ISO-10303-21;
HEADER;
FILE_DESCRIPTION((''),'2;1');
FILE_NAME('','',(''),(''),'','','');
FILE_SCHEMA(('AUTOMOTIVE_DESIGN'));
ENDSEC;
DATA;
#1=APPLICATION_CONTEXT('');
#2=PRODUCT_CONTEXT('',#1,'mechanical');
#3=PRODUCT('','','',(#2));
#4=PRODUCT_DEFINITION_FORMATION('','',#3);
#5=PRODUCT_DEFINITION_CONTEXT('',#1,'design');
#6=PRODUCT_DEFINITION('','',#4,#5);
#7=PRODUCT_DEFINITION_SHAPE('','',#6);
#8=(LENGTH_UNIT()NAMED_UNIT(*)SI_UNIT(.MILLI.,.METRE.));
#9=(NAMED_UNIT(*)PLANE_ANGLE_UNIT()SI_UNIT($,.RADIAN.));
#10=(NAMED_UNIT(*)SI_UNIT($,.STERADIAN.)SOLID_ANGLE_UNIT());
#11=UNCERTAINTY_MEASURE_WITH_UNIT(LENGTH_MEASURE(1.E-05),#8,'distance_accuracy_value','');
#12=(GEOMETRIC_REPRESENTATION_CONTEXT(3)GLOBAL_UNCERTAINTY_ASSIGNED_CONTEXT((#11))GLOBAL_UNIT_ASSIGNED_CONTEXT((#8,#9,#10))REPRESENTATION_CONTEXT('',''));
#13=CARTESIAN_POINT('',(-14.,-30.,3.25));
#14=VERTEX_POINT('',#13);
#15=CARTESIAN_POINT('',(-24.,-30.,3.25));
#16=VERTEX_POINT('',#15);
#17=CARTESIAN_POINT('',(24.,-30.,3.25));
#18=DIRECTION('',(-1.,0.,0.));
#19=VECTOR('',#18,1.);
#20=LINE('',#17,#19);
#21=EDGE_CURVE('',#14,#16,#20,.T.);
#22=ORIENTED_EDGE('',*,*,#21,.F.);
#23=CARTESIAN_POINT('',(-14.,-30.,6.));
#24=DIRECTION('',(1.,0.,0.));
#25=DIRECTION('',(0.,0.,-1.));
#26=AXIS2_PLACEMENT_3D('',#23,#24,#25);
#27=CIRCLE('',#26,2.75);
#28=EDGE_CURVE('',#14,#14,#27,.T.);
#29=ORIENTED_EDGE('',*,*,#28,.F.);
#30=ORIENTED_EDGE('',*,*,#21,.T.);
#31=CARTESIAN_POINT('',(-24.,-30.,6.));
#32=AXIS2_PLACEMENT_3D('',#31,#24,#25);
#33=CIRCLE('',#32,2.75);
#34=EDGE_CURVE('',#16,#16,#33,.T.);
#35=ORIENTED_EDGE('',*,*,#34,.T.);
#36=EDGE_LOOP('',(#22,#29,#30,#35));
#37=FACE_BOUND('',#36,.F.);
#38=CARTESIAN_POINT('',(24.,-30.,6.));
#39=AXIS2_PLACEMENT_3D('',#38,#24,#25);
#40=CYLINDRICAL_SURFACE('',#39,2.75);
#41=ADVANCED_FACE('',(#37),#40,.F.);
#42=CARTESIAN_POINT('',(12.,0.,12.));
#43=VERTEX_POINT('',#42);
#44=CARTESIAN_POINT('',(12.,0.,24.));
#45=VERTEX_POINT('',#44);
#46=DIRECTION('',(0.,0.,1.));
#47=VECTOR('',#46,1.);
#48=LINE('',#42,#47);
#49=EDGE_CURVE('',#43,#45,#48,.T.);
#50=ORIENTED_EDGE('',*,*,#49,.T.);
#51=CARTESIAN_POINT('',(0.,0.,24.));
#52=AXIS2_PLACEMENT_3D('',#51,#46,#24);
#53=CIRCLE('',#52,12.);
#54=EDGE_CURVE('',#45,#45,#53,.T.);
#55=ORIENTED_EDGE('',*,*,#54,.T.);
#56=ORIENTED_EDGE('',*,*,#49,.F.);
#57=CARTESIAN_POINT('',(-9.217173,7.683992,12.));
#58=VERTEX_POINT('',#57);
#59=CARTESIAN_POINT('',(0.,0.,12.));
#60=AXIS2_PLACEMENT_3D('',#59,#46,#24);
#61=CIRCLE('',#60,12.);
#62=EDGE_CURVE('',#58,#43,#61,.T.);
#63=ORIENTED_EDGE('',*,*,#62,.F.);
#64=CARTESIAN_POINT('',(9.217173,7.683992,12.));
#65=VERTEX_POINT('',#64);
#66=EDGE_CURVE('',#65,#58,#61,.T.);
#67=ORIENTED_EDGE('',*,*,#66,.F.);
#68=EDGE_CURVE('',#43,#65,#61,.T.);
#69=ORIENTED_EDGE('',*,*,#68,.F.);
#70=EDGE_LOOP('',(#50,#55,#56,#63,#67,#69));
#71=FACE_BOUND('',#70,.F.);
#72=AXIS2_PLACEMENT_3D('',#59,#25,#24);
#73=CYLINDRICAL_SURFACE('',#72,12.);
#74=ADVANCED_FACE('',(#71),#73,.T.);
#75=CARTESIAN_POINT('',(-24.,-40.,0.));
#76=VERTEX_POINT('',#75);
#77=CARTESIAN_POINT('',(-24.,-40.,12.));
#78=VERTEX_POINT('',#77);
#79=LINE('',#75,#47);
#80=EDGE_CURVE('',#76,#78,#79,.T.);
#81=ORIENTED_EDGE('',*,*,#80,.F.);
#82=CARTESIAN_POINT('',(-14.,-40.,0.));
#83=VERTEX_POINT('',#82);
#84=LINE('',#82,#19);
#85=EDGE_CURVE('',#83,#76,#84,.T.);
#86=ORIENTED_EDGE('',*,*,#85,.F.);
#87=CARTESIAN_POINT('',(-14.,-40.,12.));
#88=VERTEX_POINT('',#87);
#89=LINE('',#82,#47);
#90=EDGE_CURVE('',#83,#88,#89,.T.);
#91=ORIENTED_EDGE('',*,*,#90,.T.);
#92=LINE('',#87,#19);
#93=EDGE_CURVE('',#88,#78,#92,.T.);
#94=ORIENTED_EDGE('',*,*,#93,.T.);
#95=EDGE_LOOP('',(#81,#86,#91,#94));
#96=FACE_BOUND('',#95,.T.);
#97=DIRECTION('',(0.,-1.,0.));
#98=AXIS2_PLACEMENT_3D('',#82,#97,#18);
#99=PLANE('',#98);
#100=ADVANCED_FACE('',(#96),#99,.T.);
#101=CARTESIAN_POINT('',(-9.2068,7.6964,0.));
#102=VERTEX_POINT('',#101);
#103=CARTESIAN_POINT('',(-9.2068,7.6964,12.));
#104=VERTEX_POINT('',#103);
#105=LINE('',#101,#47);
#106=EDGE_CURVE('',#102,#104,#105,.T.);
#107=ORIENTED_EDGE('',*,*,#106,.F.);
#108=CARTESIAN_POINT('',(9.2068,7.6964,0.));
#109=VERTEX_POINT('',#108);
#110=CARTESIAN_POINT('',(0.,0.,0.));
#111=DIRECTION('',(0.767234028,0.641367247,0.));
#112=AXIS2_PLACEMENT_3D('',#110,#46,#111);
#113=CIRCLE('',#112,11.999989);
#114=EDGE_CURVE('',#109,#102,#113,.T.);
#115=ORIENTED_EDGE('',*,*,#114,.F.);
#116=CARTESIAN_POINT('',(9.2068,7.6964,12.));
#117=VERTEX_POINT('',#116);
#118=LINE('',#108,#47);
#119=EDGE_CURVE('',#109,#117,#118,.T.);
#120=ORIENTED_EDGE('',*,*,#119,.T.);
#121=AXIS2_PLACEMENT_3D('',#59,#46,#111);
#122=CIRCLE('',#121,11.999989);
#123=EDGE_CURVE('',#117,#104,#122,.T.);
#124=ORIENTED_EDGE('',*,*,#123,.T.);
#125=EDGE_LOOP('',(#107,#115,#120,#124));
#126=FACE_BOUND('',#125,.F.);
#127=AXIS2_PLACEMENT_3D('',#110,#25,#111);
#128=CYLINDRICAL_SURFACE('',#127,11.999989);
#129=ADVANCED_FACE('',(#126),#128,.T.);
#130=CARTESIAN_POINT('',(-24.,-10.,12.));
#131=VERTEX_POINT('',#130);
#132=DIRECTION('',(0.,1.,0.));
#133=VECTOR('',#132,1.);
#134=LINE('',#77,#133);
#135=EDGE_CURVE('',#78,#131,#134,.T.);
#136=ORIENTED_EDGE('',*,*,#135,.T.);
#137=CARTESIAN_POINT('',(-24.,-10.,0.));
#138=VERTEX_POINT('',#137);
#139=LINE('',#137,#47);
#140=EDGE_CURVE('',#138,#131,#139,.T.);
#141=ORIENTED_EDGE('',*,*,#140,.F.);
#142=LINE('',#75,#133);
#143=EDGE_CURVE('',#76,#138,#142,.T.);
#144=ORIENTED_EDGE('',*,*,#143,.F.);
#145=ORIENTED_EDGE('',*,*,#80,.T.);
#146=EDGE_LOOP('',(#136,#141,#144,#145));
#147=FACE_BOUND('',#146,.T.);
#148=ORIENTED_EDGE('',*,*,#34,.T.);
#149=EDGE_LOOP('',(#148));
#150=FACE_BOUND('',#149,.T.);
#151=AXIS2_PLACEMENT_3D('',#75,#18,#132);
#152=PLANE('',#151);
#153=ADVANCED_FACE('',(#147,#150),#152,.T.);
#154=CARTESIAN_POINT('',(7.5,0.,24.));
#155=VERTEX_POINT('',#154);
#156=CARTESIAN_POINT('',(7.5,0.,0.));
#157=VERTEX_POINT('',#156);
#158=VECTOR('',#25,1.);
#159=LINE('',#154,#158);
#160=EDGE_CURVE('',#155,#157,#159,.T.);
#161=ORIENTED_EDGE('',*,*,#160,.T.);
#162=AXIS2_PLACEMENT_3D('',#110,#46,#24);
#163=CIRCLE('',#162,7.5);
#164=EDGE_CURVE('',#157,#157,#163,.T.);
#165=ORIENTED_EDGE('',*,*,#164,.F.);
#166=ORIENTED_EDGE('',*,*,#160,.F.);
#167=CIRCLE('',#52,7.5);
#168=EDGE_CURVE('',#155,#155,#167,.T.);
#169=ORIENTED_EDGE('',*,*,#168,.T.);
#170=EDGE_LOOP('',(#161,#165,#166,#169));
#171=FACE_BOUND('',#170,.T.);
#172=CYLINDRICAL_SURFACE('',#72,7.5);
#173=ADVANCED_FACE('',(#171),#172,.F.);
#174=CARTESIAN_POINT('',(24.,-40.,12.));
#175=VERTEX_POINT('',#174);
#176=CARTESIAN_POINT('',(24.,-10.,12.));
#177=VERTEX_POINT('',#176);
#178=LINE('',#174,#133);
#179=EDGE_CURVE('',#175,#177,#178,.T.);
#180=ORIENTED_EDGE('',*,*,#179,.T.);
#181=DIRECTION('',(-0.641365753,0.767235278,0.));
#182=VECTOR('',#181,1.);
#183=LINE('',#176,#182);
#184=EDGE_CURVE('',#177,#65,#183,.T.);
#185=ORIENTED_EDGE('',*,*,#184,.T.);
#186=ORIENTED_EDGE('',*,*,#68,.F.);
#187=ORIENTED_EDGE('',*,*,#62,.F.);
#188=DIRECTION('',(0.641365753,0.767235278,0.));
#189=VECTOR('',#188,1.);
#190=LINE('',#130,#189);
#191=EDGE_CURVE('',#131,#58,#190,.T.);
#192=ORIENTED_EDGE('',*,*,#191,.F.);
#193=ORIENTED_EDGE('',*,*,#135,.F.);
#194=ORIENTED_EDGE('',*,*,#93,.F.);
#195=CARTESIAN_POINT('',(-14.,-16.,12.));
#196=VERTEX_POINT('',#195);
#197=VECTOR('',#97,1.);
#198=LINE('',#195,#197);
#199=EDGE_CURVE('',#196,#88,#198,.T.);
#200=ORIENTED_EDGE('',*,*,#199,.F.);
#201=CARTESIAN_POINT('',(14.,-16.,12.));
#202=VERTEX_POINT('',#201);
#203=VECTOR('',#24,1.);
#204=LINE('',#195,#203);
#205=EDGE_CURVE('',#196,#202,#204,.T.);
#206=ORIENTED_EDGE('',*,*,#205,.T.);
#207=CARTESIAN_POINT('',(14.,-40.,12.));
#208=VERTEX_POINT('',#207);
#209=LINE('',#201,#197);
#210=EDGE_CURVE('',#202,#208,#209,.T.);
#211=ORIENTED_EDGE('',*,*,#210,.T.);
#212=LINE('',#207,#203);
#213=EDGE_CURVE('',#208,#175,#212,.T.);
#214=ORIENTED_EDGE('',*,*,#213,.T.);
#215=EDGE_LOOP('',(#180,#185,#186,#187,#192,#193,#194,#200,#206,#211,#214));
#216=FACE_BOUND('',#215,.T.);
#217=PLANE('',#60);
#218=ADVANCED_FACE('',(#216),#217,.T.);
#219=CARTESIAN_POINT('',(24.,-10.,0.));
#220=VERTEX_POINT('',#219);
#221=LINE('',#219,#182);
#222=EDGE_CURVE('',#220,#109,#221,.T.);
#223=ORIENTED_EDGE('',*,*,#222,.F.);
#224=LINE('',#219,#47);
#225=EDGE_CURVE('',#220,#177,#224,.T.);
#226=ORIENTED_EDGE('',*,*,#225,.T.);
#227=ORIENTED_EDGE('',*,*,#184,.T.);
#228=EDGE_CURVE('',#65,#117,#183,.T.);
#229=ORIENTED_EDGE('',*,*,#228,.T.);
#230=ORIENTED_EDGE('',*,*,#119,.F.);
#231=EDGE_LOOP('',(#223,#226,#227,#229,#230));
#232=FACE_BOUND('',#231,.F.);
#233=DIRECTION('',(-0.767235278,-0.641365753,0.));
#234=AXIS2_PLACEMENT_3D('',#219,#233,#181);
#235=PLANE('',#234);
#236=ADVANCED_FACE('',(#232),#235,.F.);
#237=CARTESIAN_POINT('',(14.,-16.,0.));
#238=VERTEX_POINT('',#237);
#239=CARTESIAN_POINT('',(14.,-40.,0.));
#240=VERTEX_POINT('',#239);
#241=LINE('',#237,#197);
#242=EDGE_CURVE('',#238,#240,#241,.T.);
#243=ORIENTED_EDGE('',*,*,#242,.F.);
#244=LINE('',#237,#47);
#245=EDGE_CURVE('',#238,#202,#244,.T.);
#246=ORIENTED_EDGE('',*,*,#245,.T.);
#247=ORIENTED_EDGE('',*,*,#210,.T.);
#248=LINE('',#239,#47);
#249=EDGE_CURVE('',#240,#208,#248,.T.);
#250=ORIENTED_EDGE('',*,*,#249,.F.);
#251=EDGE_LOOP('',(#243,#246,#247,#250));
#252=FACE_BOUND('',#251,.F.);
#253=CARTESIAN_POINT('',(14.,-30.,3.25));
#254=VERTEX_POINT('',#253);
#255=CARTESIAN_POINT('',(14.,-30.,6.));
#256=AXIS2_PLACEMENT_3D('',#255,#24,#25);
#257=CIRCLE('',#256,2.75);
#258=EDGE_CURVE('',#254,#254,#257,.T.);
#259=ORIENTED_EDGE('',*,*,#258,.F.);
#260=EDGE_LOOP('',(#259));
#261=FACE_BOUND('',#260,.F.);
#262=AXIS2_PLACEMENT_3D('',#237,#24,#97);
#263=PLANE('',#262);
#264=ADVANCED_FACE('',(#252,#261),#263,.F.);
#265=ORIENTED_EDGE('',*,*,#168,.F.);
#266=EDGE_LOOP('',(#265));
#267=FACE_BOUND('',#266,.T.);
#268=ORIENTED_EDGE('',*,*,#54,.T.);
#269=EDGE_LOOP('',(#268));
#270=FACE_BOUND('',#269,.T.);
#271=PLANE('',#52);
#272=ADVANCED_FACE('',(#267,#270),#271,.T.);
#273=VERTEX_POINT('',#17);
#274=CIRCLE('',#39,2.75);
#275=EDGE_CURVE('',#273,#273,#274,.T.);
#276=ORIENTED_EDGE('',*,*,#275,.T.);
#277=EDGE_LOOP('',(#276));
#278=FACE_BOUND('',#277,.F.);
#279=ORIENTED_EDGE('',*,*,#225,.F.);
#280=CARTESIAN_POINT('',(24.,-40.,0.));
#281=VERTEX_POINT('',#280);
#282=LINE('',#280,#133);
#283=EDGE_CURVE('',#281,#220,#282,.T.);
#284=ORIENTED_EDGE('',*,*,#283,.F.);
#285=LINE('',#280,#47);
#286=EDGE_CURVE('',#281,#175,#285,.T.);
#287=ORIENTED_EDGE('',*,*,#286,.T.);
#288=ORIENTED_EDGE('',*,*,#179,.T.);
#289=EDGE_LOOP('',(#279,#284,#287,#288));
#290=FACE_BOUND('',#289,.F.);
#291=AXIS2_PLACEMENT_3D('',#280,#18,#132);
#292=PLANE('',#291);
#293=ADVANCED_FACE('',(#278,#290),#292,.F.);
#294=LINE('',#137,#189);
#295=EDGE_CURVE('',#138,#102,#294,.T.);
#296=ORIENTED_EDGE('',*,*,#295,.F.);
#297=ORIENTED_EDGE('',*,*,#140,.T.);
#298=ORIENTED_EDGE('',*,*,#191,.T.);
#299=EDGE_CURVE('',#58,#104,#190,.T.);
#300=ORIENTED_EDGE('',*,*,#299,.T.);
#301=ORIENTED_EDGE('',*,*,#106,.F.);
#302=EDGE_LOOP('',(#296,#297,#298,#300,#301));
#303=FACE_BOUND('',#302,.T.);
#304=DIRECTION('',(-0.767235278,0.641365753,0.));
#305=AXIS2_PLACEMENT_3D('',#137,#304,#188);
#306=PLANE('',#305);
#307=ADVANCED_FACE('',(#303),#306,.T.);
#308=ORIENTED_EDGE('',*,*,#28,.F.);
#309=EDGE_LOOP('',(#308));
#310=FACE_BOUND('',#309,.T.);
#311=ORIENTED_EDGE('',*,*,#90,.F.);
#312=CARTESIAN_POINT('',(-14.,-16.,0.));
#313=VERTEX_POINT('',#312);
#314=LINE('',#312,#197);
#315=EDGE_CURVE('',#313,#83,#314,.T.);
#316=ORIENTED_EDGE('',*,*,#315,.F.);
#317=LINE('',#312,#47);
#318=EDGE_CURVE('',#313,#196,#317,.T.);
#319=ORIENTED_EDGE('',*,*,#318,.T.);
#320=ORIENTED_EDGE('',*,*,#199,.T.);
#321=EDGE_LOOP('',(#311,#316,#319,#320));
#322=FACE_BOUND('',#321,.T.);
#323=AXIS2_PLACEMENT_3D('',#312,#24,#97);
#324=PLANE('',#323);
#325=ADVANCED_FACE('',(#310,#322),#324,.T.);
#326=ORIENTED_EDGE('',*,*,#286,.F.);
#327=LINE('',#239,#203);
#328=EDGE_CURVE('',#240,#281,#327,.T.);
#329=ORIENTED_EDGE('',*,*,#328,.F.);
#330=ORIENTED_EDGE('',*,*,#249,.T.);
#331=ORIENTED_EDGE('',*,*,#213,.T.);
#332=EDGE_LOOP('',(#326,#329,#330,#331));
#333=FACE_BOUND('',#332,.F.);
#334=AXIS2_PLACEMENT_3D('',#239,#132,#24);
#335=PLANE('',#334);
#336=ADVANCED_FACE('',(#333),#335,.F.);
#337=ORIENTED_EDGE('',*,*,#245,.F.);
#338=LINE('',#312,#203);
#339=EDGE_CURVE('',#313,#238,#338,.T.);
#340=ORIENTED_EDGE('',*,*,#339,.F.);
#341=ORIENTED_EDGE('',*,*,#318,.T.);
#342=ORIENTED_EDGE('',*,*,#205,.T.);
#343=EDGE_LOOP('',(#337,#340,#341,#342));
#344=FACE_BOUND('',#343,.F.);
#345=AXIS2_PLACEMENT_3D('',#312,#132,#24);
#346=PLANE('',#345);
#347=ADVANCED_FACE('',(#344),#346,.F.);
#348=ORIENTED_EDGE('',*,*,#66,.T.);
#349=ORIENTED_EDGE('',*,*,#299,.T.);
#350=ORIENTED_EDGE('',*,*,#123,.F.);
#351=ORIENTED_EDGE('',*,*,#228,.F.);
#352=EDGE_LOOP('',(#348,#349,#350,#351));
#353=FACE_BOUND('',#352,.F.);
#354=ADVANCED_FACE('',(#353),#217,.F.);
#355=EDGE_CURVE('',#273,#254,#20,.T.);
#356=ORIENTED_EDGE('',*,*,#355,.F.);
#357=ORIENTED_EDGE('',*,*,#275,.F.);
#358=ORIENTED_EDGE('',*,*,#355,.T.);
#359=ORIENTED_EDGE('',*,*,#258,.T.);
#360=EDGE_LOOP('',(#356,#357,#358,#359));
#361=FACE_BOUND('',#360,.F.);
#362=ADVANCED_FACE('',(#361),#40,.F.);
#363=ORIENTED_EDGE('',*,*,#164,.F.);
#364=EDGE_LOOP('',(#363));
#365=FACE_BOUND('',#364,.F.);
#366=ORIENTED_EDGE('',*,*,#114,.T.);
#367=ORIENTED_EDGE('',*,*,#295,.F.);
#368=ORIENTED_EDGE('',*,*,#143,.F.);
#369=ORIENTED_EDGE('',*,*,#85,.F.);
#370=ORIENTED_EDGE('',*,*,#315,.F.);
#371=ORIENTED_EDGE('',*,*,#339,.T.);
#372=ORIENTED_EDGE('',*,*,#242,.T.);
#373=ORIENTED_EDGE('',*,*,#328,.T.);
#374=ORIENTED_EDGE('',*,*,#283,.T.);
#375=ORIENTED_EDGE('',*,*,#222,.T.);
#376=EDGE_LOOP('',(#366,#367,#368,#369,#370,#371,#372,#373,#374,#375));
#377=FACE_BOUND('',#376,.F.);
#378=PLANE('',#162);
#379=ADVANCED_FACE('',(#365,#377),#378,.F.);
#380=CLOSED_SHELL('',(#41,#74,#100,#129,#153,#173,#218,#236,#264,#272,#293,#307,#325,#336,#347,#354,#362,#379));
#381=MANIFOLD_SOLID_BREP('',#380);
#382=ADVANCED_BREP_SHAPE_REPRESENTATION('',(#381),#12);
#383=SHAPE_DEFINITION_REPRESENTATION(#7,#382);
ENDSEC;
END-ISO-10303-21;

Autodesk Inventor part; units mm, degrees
ref_plane "YZ Plane" through (0, 0, 0) normal (1, 0, 0) x (0, 1, 0)
ref_plane "XZ Plane" through (0, 0, 0) normal (0, 1, 0) x (-1, 0, 0)
ref_plane "XY Plane" through (0, 0, 0) normal (0, 0, 1) x (1, 0, 0)
sketch "Sketch1" plane through (0, 0, 0) normal (0, 0, 1) x (1, 0, 0)
  line L0 (-14, -16) -> (14, -16)
  line L1 (14, -16) -> (14, -40)
  line L2 (14, -40) -> (24, -40)
  line L3 (24, -40) -> (24, -10)
  line L4 (24, -10) -> (9.2068, 7.6964)
  line L5 (-14, -16) -> (-14, -40)
  line L6 (-14, -40) -> (-24, -40)
  line L7 (-24, -40) -> (-24, -10)
  line L8 (-24, -10) -> (-9.2068, 7.6964)
  arc A0 (9.2068, 7.6964) -> (-9.2068, 7.6964) centre (0, 0) ccw
  circle A1 centre (0, 0) radius 7.5
  point P0 (0, -16)
  dimension "d0" = 28
  dimension "d1" = 10
  dimension "d2" = 24
  dimension "d3" = 40
  dimension "d4" = 30
  dimension "d5" = 15
  dimension "d6" = 12
extrude "Extrusion1" add sketch "Sketch1" along normal blind 12
sketch "Sketch2" plane through (24, -40, 0) normal (1, 0, 0) x (0, 0, -1)
  line L0 (0, 0) -> (0, 30) construction
  line L1 (0, 30) -> (-12, 30) construction
  line L2 (-12, 0) -> (-12, 30) construction
  line L3 (0, 0) -> (-12, 0) construction
  line L4 (0, 0) -> (-12, 0) construction
  line L5 (-6, 0) -> (-6, 10) construction
  circle A0 centre (-6, 10) radius 2.75
  point P0 (0, 40)
  dimension "d9" = 10
  dimension "d10" = 5.5
extrude "Extrusion2" cut sketch "Sketch2" against normal through all
sketch "Sketch3" plane through (0, 0, 12) normal (0, 0, 1) x (1, 0, 0)
  circle A0 centre (0, 0) radius 7.5 projected
  arc A1 (9.2068, 7.6964) -> (-9.2068, 7.6964) centre (0, 0) ccw construction
  circle A2 centre (0, 0) radius 12
extrude "Extrusion3" add sketch "Sketch3" along normal blind 12
properties part number "con rod guide"
